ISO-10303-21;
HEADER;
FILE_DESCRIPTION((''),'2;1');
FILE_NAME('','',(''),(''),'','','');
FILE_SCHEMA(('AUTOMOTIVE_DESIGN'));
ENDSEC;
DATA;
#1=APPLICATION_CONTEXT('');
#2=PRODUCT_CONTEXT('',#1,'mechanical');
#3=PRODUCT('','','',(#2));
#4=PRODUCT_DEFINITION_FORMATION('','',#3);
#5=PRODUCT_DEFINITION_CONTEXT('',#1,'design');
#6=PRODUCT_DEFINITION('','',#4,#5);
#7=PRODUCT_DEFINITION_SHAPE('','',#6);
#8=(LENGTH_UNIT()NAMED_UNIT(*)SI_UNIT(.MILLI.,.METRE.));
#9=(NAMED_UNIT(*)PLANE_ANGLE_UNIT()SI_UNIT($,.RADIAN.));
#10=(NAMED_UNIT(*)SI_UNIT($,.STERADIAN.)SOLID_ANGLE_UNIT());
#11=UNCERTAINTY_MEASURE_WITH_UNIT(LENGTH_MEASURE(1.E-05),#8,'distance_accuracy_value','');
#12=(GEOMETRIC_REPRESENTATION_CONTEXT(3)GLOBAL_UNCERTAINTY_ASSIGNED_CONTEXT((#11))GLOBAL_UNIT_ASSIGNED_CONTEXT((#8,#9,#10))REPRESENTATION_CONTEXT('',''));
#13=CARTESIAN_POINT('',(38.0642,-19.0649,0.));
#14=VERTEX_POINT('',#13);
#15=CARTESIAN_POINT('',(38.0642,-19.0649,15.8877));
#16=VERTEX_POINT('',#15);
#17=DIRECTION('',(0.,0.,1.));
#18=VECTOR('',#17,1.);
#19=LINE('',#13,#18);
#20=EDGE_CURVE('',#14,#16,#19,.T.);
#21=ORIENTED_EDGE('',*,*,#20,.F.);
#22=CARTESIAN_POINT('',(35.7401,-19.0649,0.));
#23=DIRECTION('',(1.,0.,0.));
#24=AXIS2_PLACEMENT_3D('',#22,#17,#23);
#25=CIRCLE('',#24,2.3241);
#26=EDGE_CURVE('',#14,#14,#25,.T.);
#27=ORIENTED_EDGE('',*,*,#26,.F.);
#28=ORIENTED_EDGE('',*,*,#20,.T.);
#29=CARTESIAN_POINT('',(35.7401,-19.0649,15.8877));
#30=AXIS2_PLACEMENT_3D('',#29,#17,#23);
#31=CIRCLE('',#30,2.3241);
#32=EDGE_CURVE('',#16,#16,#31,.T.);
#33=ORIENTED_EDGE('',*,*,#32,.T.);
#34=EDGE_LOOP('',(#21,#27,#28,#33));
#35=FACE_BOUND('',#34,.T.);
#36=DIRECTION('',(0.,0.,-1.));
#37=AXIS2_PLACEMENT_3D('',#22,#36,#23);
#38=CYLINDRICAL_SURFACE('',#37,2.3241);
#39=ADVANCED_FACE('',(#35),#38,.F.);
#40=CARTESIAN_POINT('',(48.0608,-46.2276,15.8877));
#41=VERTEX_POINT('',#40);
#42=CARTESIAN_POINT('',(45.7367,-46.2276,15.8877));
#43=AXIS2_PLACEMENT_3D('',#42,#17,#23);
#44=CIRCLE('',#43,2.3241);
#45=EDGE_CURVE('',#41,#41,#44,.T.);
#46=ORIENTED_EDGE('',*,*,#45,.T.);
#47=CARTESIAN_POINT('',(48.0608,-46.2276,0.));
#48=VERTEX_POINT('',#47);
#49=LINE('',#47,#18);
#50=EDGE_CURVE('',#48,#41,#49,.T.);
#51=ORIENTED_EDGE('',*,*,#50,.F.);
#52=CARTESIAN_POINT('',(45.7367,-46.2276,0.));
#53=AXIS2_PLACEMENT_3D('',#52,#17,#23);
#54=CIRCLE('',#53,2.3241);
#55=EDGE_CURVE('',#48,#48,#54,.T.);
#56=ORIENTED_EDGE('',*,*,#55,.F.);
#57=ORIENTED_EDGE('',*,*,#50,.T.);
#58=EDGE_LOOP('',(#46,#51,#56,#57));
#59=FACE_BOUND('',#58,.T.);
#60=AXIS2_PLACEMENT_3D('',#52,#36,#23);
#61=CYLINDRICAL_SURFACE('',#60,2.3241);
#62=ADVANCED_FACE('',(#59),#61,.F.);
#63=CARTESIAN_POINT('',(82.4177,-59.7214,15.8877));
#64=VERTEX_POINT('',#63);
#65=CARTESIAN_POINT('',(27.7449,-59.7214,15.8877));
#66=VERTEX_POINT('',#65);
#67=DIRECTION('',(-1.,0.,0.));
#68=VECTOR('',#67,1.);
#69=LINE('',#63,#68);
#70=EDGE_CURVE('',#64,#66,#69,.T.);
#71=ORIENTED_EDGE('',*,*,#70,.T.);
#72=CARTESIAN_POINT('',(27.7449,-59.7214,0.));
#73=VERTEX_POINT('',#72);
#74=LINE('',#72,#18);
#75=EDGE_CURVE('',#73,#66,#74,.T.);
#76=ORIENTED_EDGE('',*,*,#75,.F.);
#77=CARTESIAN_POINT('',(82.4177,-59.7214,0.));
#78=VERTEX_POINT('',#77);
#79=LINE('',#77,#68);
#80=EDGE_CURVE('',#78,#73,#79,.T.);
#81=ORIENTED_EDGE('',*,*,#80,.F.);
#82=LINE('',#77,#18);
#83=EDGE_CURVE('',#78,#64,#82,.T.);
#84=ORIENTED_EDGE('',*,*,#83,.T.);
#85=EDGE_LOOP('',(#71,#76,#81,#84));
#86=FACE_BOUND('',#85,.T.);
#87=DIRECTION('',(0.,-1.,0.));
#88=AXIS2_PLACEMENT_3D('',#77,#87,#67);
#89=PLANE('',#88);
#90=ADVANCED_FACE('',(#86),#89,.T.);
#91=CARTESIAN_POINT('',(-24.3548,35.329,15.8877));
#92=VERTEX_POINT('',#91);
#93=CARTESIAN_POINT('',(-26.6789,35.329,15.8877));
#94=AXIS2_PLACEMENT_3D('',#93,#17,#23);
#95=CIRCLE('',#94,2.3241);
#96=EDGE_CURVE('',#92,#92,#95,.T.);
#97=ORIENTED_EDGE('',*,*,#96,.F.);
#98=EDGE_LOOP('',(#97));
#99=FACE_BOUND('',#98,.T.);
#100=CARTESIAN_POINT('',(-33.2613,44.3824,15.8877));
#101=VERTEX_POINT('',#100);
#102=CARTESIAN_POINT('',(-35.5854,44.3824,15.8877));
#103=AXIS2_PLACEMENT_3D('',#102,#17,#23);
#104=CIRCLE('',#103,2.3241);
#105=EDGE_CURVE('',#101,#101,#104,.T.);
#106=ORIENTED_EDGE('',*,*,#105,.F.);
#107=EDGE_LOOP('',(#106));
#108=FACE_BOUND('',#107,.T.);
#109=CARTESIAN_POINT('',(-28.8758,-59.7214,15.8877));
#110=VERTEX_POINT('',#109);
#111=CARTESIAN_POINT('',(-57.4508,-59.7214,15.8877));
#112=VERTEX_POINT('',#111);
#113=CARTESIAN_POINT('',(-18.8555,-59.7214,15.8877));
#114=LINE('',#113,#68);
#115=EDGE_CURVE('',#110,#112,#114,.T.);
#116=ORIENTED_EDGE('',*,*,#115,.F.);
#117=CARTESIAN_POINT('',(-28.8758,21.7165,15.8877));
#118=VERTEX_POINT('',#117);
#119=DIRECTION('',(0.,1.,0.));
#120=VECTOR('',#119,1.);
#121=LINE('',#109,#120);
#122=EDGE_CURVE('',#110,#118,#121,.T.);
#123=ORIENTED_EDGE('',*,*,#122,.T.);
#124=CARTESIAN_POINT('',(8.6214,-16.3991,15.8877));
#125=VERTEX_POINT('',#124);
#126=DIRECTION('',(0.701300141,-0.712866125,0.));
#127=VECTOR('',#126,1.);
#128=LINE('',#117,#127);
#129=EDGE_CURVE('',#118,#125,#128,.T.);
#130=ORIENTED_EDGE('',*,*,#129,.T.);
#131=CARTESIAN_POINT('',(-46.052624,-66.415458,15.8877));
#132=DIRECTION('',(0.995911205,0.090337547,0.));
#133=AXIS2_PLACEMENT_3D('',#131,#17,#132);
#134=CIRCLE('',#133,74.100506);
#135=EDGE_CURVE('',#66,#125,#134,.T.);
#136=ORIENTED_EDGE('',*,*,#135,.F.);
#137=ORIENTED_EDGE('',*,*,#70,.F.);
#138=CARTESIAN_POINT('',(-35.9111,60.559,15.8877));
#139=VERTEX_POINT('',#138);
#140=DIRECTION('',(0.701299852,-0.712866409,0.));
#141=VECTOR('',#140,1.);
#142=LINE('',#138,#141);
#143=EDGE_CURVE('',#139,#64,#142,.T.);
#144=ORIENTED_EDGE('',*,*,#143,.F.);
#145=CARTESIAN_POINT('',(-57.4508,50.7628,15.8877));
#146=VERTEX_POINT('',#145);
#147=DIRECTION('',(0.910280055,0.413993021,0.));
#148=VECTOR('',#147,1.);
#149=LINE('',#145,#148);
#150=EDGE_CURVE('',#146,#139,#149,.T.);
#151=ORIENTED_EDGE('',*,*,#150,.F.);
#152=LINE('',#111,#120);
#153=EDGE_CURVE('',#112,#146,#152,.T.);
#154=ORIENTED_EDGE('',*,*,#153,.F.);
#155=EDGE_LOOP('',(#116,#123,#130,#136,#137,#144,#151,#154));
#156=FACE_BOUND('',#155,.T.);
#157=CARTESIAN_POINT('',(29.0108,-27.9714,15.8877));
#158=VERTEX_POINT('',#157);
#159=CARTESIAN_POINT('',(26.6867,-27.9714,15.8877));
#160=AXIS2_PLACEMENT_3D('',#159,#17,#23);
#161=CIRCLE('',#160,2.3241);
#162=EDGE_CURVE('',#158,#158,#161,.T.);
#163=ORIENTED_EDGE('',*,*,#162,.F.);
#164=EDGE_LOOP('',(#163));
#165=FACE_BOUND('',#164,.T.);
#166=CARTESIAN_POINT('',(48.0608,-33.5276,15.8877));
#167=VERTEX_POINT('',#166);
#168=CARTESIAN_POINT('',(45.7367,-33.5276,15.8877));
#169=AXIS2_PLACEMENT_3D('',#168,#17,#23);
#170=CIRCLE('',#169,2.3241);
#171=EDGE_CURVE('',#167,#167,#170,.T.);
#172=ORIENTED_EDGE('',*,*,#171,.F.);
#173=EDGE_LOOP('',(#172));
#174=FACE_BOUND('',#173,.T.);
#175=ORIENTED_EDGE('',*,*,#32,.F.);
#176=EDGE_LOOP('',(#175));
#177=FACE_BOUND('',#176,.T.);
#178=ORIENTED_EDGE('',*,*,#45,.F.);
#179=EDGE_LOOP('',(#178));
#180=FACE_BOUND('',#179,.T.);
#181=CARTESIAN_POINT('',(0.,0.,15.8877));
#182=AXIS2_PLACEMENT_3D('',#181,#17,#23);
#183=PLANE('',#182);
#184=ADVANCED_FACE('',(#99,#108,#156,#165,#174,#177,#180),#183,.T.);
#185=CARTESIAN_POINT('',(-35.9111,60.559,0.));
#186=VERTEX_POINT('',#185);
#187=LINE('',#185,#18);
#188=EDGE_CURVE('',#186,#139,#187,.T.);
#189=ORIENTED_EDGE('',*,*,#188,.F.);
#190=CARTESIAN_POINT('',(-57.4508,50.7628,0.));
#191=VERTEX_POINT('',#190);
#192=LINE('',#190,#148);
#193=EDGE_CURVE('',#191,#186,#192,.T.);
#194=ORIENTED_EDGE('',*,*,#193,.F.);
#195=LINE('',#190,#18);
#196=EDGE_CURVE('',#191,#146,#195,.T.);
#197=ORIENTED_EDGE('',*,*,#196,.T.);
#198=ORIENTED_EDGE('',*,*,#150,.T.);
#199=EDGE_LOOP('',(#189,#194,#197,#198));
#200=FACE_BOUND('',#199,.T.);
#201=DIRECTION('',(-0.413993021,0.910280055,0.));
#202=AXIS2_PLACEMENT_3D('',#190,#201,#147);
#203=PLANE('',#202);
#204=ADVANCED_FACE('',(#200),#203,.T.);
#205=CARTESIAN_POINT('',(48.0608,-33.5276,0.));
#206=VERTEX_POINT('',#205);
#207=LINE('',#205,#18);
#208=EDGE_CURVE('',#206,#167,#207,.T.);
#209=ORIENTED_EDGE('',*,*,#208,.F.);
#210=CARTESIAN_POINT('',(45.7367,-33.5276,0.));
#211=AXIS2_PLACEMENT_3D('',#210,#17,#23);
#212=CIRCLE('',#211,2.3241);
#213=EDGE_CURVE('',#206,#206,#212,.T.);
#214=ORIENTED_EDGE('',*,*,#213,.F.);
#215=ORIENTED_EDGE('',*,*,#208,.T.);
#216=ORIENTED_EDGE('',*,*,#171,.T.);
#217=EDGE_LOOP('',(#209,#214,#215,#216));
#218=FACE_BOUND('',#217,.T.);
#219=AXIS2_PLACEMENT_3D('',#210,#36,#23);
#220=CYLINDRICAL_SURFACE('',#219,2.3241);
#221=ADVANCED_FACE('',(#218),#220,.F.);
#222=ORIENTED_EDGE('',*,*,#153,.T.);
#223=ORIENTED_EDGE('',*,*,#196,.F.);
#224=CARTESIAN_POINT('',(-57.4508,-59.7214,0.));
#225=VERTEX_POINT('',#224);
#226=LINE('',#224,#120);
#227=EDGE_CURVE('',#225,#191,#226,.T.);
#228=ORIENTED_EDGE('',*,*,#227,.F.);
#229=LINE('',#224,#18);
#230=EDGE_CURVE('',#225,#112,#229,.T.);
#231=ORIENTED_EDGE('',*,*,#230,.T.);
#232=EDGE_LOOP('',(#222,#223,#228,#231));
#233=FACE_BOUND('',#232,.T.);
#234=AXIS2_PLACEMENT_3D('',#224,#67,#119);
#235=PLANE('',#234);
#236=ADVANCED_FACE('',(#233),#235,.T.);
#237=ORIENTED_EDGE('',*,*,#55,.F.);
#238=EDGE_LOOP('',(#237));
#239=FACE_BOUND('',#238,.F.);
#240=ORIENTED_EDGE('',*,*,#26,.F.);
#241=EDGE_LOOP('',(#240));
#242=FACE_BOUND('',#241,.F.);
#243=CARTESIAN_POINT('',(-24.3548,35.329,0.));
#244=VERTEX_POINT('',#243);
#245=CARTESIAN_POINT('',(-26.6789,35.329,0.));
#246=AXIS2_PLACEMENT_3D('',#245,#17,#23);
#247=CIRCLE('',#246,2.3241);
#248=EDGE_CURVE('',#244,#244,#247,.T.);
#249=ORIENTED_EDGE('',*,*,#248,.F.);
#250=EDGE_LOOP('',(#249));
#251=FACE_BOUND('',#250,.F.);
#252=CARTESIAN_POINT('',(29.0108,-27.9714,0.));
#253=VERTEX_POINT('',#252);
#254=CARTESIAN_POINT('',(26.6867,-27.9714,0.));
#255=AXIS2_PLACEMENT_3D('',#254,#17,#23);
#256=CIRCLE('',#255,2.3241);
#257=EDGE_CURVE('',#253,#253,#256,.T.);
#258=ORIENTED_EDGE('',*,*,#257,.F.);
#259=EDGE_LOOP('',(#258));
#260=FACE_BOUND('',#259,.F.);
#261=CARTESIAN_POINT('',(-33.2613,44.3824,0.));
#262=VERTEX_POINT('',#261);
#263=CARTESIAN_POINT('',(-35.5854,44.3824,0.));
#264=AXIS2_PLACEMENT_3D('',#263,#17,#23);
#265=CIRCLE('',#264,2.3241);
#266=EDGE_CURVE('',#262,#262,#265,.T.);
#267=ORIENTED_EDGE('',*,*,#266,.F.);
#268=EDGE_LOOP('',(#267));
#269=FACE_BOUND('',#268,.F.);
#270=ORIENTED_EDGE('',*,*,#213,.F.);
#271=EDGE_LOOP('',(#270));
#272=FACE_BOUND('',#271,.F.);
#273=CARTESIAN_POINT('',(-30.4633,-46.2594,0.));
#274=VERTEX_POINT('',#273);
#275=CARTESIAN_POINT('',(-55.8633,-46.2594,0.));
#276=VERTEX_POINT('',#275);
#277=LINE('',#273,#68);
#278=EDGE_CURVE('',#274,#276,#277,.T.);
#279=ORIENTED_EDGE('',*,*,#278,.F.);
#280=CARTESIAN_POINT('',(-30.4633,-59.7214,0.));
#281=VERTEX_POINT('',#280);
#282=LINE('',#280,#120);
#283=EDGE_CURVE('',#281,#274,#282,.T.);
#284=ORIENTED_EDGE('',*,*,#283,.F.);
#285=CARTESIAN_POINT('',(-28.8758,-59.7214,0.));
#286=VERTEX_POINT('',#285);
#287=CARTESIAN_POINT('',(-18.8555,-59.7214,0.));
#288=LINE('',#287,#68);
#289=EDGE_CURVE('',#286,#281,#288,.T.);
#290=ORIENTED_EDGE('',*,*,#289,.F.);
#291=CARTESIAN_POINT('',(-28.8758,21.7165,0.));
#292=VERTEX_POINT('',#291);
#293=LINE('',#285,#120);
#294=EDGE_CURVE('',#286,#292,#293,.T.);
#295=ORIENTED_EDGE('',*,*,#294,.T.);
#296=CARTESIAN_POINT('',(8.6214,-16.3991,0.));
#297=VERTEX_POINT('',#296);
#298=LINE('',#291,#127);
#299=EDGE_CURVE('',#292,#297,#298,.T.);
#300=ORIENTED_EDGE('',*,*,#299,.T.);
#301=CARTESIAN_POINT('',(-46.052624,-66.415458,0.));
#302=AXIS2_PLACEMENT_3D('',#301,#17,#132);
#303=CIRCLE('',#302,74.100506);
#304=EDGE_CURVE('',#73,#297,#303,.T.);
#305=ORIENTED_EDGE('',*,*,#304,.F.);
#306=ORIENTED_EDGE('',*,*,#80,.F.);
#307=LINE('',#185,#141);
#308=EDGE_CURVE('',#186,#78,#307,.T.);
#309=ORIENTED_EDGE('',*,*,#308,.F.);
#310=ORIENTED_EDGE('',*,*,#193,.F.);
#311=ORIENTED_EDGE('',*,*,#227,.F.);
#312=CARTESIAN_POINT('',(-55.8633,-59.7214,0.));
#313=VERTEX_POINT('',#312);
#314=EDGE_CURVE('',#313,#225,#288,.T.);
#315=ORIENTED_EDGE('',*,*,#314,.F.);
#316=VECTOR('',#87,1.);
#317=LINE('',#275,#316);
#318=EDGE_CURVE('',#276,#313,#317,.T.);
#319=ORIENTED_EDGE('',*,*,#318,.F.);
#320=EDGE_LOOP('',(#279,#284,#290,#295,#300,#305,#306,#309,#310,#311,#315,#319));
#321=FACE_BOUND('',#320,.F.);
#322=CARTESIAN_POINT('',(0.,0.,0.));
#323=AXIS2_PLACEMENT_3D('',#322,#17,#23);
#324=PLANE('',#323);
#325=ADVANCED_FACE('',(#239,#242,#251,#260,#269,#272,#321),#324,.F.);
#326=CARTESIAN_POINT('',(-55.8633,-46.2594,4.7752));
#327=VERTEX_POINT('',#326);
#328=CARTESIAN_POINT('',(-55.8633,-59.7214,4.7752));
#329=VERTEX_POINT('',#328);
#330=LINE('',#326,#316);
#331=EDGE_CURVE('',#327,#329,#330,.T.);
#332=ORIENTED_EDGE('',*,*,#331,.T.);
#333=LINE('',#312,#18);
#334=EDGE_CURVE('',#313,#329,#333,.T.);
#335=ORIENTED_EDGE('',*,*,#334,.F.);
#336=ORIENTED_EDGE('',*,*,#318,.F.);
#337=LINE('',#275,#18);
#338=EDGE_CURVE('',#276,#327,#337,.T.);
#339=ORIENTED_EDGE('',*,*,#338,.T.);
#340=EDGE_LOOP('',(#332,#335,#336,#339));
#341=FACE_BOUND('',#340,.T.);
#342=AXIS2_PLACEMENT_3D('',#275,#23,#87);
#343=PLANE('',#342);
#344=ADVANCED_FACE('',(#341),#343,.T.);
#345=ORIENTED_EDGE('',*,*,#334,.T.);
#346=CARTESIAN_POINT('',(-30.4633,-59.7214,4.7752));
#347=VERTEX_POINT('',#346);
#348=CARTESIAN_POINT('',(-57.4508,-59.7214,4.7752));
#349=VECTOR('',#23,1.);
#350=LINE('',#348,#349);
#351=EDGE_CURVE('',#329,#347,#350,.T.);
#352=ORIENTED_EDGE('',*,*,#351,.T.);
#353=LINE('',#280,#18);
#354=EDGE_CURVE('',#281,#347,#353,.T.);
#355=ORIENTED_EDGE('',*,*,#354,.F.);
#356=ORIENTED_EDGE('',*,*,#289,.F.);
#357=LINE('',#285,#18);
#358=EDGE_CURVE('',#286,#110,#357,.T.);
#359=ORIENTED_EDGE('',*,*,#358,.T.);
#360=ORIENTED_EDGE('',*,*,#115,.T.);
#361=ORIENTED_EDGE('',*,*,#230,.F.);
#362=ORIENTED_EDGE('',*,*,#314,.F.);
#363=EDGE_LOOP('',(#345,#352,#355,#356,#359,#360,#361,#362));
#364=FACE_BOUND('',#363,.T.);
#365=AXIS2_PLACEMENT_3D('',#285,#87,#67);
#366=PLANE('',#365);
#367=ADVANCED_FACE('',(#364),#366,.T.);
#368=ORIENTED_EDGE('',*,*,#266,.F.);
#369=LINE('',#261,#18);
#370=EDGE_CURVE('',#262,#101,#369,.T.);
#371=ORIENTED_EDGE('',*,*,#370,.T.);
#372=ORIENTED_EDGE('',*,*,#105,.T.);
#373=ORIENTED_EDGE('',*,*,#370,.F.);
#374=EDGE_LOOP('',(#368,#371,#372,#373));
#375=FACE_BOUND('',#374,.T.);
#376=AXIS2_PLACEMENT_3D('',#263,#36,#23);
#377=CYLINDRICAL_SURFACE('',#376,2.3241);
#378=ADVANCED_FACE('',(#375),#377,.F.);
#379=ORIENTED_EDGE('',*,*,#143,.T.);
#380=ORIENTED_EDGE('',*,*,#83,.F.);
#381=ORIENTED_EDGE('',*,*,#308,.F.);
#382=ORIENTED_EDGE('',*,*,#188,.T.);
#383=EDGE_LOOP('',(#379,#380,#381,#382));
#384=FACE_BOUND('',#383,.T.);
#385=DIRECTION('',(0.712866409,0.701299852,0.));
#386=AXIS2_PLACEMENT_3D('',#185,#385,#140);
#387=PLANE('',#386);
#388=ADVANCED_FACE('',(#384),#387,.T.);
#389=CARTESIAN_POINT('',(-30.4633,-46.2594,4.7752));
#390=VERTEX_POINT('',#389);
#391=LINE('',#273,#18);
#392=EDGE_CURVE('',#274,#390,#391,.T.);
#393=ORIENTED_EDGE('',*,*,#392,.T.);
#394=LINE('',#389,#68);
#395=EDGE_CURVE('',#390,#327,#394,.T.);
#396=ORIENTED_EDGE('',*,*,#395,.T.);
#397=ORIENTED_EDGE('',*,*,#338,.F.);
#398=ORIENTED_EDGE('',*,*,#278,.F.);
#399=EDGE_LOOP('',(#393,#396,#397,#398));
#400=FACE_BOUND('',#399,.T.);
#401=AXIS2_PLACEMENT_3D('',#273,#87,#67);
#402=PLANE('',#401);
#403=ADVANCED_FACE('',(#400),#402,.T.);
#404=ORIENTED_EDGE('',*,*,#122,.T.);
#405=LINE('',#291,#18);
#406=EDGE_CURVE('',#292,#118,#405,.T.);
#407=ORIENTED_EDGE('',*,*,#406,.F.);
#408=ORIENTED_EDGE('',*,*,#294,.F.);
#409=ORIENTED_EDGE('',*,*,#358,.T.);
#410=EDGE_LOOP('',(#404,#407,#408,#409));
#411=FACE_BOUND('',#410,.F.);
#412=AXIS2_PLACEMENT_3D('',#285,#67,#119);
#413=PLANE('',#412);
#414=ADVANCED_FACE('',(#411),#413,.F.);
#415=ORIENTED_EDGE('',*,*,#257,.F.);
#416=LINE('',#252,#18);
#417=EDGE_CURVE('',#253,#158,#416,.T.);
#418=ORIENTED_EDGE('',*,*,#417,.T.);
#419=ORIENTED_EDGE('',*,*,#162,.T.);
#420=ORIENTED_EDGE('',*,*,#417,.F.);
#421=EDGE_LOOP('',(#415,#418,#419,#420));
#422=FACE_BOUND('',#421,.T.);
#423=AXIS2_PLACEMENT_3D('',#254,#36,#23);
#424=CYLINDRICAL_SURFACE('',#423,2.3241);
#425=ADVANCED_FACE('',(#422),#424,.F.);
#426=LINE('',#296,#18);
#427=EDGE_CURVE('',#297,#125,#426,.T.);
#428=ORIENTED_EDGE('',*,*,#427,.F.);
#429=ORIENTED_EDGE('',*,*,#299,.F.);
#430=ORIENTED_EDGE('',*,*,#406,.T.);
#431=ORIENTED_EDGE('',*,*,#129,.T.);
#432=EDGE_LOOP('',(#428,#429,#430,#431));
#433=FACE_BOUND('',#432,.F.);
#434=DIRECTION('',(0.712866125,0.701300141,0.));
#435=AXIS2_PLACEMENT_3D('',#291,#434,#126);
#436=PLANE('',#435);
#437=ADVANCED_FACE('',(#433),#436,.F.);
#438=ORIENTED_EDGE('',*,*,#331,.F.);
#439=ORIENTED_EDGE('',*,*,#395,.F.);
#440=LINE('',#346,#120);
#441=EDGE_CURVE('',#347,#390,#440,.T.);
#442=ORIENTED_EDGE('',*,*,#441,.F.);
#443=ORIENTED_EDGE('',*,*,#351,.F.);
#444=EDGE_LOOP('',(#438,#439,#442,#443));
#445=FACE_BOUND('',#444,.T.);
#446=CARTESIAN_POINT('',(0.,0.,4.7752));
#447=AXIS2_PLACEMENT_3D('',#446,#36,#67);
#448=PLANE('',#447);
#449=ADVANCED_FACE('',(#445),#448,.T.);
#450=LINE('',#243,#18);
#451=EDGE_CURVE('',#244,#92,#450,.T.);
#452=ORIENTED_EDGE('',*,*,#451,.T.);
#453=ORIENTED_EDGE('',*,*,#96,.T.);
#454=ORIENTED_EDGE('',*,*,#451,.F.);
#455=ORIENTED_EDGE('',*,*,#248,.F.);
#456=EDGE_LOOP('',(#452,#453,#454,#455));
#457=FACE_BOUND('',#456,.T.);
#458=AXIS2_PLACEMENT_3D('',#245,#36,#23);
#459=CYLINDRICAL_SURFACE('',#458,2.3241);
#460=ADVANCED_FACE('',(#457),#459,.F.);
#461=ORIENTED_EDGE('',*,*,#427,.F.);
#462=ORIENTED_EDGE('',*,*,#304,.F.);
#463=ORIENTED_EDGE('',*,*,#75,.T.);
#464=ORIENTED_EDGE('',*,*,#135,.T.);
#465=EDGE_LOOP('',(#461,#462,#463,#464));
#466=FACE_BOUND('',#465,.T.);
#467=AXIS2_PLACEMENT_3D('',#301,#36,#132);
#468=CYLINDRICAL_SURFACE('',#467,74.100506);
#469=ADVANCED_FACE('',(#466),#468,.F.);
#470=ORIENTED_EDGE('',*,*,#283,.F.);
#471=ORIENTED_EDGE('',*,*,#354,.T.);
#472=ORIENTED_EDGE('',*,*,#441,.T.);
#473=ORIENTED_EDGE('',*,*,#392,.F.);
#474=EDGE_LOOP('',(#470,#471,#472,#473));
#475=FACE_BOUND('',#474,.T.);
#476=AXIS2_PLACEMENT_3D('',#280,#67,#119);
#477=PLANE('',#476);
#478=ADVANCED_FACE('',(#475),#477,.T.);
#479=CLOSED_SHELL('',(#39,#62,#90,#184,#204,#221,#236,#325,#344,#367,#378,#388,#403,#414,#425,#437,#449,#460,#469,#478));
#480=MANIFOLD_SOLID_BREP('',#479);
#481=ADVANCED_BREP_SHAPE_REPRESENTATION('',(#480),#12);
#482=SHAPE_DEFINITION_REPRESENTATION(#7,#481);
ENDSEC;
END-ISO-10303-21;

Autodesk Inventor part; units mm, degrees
ref_plane "YZ Plane" through (0, 0, 0) normal (1, 0, 0) x (0, 1, 0)
ref_plane "XZ Plane" through (0, 0, 0) normal (0, 1, 0) x (-1, 0, 0)
ref_plane "XY Plane" through (0, 0, 0) normal (0, 0, 1) x (1, 0, 0)
sketch "Sketch1" plane through (0, 0, 0) normal (0, 0, 1) x (1, 0, 0)
  line L0 (-28.8758, -59.7214) -> (-28.8758, 21.7165)
  line L1 (-18.8555, -59.7214) -> (-80.3235, -59.7214)
  line L2 (-57.4508, -59.7214) -> (-57.4508, 50.7628)
  line L3 (-28.8758, 21.7165) -> (27.7449, -35.838)
  line L4 (27.7449, -35.838) -> (27.7449, -59.7214)
  line L5 (-57.4508, 50.7628) -> (-35.9111, 60.559)
  line L6 (-35.9111, 60.559) -> (82.4177, -59.7214)
  line L7 (82.4177, -59.7214) -> (27.7449, -59.7214)
  arc A0 (27.7449, -59.7214) -> (8.6214, -16.3991) centre (-46.0524, -66.4154) ccw
  circle A1 centre (45.7367, -33.5276) radius 2.3241
  circle A2 centre (45.7367, -46.2276) radius 2.3241
  circle A3 centre (26.6867, -27.9714) radius 2.3241
  circle A4 centre (35.7401, -19.0649) radius 2.3241
  circle A5 centre (-35.5854, 44.3824) radius 2.3241
  circle A6 centre (-26.6789, 35.329) radius 2.3241
  point P0 (0, 0)
  dimension "d0" = 90
  dimension "d1" = 90
  dimension "d2" = 4.6482
  dimension "d3" = 4.6482
  dimension "d4" = 4.6482
  dimension "d5" = 4.6482
  dimension "d6" = 4.6482
  dimension "d7" = 4.6482
extrude "Extrusion1" add sketch "Sketch1" along normal blind 15.8877
sketch "Sketch2" plane through (0, 0, 0) normal (0, 0, -1) x (-1, 0, 0)
  line L0 (28.8758, -59.7214) -> (28.8758, 21.7165) projected
  line L1 (57.4508, -59.7214) -> (28.8758, -59.7214) projected
  line L2 (57.4508, 50.7628) -> (57.4508, -59.7214) projected
  line L3 (28.8758, -59.7214) -> (30.4633, -59.7214)
  line L4 (57.4508, -59.7214) -> (55.8633, -59.7214)
  line L5 (30.4633, -59.7214) -> (30.4633, -46.2594)
  line L6 (30.4633, -46.2594) -> (55.8633, -46.2594)
  line L7 (55.8633, -46.2594) -> (55.8633, -59.7214)
  line L8 (28.8758, -59.7214) -> (28.8758, -46.2594)
  line L9 (30.4633, -46.2594) -> (28.8758, -46.2594)
  line L10 (55.8633, -46.2594) -> (57.4508, -46.2594)
  line L11 (57.4508, -59.7214) -> (57.4508, -46.2594)
  point P0 (0, 0)
  dimension "d10" = 1.5875
  dimension "d11" = 1.5875
  dimension "d12" = 13.462
extrude "Extrusion2" cut sketch "Sketch2" against normal blind 4.7752 contours L5 L6 L7 L1
properties part number "Lady Brown Brace"
